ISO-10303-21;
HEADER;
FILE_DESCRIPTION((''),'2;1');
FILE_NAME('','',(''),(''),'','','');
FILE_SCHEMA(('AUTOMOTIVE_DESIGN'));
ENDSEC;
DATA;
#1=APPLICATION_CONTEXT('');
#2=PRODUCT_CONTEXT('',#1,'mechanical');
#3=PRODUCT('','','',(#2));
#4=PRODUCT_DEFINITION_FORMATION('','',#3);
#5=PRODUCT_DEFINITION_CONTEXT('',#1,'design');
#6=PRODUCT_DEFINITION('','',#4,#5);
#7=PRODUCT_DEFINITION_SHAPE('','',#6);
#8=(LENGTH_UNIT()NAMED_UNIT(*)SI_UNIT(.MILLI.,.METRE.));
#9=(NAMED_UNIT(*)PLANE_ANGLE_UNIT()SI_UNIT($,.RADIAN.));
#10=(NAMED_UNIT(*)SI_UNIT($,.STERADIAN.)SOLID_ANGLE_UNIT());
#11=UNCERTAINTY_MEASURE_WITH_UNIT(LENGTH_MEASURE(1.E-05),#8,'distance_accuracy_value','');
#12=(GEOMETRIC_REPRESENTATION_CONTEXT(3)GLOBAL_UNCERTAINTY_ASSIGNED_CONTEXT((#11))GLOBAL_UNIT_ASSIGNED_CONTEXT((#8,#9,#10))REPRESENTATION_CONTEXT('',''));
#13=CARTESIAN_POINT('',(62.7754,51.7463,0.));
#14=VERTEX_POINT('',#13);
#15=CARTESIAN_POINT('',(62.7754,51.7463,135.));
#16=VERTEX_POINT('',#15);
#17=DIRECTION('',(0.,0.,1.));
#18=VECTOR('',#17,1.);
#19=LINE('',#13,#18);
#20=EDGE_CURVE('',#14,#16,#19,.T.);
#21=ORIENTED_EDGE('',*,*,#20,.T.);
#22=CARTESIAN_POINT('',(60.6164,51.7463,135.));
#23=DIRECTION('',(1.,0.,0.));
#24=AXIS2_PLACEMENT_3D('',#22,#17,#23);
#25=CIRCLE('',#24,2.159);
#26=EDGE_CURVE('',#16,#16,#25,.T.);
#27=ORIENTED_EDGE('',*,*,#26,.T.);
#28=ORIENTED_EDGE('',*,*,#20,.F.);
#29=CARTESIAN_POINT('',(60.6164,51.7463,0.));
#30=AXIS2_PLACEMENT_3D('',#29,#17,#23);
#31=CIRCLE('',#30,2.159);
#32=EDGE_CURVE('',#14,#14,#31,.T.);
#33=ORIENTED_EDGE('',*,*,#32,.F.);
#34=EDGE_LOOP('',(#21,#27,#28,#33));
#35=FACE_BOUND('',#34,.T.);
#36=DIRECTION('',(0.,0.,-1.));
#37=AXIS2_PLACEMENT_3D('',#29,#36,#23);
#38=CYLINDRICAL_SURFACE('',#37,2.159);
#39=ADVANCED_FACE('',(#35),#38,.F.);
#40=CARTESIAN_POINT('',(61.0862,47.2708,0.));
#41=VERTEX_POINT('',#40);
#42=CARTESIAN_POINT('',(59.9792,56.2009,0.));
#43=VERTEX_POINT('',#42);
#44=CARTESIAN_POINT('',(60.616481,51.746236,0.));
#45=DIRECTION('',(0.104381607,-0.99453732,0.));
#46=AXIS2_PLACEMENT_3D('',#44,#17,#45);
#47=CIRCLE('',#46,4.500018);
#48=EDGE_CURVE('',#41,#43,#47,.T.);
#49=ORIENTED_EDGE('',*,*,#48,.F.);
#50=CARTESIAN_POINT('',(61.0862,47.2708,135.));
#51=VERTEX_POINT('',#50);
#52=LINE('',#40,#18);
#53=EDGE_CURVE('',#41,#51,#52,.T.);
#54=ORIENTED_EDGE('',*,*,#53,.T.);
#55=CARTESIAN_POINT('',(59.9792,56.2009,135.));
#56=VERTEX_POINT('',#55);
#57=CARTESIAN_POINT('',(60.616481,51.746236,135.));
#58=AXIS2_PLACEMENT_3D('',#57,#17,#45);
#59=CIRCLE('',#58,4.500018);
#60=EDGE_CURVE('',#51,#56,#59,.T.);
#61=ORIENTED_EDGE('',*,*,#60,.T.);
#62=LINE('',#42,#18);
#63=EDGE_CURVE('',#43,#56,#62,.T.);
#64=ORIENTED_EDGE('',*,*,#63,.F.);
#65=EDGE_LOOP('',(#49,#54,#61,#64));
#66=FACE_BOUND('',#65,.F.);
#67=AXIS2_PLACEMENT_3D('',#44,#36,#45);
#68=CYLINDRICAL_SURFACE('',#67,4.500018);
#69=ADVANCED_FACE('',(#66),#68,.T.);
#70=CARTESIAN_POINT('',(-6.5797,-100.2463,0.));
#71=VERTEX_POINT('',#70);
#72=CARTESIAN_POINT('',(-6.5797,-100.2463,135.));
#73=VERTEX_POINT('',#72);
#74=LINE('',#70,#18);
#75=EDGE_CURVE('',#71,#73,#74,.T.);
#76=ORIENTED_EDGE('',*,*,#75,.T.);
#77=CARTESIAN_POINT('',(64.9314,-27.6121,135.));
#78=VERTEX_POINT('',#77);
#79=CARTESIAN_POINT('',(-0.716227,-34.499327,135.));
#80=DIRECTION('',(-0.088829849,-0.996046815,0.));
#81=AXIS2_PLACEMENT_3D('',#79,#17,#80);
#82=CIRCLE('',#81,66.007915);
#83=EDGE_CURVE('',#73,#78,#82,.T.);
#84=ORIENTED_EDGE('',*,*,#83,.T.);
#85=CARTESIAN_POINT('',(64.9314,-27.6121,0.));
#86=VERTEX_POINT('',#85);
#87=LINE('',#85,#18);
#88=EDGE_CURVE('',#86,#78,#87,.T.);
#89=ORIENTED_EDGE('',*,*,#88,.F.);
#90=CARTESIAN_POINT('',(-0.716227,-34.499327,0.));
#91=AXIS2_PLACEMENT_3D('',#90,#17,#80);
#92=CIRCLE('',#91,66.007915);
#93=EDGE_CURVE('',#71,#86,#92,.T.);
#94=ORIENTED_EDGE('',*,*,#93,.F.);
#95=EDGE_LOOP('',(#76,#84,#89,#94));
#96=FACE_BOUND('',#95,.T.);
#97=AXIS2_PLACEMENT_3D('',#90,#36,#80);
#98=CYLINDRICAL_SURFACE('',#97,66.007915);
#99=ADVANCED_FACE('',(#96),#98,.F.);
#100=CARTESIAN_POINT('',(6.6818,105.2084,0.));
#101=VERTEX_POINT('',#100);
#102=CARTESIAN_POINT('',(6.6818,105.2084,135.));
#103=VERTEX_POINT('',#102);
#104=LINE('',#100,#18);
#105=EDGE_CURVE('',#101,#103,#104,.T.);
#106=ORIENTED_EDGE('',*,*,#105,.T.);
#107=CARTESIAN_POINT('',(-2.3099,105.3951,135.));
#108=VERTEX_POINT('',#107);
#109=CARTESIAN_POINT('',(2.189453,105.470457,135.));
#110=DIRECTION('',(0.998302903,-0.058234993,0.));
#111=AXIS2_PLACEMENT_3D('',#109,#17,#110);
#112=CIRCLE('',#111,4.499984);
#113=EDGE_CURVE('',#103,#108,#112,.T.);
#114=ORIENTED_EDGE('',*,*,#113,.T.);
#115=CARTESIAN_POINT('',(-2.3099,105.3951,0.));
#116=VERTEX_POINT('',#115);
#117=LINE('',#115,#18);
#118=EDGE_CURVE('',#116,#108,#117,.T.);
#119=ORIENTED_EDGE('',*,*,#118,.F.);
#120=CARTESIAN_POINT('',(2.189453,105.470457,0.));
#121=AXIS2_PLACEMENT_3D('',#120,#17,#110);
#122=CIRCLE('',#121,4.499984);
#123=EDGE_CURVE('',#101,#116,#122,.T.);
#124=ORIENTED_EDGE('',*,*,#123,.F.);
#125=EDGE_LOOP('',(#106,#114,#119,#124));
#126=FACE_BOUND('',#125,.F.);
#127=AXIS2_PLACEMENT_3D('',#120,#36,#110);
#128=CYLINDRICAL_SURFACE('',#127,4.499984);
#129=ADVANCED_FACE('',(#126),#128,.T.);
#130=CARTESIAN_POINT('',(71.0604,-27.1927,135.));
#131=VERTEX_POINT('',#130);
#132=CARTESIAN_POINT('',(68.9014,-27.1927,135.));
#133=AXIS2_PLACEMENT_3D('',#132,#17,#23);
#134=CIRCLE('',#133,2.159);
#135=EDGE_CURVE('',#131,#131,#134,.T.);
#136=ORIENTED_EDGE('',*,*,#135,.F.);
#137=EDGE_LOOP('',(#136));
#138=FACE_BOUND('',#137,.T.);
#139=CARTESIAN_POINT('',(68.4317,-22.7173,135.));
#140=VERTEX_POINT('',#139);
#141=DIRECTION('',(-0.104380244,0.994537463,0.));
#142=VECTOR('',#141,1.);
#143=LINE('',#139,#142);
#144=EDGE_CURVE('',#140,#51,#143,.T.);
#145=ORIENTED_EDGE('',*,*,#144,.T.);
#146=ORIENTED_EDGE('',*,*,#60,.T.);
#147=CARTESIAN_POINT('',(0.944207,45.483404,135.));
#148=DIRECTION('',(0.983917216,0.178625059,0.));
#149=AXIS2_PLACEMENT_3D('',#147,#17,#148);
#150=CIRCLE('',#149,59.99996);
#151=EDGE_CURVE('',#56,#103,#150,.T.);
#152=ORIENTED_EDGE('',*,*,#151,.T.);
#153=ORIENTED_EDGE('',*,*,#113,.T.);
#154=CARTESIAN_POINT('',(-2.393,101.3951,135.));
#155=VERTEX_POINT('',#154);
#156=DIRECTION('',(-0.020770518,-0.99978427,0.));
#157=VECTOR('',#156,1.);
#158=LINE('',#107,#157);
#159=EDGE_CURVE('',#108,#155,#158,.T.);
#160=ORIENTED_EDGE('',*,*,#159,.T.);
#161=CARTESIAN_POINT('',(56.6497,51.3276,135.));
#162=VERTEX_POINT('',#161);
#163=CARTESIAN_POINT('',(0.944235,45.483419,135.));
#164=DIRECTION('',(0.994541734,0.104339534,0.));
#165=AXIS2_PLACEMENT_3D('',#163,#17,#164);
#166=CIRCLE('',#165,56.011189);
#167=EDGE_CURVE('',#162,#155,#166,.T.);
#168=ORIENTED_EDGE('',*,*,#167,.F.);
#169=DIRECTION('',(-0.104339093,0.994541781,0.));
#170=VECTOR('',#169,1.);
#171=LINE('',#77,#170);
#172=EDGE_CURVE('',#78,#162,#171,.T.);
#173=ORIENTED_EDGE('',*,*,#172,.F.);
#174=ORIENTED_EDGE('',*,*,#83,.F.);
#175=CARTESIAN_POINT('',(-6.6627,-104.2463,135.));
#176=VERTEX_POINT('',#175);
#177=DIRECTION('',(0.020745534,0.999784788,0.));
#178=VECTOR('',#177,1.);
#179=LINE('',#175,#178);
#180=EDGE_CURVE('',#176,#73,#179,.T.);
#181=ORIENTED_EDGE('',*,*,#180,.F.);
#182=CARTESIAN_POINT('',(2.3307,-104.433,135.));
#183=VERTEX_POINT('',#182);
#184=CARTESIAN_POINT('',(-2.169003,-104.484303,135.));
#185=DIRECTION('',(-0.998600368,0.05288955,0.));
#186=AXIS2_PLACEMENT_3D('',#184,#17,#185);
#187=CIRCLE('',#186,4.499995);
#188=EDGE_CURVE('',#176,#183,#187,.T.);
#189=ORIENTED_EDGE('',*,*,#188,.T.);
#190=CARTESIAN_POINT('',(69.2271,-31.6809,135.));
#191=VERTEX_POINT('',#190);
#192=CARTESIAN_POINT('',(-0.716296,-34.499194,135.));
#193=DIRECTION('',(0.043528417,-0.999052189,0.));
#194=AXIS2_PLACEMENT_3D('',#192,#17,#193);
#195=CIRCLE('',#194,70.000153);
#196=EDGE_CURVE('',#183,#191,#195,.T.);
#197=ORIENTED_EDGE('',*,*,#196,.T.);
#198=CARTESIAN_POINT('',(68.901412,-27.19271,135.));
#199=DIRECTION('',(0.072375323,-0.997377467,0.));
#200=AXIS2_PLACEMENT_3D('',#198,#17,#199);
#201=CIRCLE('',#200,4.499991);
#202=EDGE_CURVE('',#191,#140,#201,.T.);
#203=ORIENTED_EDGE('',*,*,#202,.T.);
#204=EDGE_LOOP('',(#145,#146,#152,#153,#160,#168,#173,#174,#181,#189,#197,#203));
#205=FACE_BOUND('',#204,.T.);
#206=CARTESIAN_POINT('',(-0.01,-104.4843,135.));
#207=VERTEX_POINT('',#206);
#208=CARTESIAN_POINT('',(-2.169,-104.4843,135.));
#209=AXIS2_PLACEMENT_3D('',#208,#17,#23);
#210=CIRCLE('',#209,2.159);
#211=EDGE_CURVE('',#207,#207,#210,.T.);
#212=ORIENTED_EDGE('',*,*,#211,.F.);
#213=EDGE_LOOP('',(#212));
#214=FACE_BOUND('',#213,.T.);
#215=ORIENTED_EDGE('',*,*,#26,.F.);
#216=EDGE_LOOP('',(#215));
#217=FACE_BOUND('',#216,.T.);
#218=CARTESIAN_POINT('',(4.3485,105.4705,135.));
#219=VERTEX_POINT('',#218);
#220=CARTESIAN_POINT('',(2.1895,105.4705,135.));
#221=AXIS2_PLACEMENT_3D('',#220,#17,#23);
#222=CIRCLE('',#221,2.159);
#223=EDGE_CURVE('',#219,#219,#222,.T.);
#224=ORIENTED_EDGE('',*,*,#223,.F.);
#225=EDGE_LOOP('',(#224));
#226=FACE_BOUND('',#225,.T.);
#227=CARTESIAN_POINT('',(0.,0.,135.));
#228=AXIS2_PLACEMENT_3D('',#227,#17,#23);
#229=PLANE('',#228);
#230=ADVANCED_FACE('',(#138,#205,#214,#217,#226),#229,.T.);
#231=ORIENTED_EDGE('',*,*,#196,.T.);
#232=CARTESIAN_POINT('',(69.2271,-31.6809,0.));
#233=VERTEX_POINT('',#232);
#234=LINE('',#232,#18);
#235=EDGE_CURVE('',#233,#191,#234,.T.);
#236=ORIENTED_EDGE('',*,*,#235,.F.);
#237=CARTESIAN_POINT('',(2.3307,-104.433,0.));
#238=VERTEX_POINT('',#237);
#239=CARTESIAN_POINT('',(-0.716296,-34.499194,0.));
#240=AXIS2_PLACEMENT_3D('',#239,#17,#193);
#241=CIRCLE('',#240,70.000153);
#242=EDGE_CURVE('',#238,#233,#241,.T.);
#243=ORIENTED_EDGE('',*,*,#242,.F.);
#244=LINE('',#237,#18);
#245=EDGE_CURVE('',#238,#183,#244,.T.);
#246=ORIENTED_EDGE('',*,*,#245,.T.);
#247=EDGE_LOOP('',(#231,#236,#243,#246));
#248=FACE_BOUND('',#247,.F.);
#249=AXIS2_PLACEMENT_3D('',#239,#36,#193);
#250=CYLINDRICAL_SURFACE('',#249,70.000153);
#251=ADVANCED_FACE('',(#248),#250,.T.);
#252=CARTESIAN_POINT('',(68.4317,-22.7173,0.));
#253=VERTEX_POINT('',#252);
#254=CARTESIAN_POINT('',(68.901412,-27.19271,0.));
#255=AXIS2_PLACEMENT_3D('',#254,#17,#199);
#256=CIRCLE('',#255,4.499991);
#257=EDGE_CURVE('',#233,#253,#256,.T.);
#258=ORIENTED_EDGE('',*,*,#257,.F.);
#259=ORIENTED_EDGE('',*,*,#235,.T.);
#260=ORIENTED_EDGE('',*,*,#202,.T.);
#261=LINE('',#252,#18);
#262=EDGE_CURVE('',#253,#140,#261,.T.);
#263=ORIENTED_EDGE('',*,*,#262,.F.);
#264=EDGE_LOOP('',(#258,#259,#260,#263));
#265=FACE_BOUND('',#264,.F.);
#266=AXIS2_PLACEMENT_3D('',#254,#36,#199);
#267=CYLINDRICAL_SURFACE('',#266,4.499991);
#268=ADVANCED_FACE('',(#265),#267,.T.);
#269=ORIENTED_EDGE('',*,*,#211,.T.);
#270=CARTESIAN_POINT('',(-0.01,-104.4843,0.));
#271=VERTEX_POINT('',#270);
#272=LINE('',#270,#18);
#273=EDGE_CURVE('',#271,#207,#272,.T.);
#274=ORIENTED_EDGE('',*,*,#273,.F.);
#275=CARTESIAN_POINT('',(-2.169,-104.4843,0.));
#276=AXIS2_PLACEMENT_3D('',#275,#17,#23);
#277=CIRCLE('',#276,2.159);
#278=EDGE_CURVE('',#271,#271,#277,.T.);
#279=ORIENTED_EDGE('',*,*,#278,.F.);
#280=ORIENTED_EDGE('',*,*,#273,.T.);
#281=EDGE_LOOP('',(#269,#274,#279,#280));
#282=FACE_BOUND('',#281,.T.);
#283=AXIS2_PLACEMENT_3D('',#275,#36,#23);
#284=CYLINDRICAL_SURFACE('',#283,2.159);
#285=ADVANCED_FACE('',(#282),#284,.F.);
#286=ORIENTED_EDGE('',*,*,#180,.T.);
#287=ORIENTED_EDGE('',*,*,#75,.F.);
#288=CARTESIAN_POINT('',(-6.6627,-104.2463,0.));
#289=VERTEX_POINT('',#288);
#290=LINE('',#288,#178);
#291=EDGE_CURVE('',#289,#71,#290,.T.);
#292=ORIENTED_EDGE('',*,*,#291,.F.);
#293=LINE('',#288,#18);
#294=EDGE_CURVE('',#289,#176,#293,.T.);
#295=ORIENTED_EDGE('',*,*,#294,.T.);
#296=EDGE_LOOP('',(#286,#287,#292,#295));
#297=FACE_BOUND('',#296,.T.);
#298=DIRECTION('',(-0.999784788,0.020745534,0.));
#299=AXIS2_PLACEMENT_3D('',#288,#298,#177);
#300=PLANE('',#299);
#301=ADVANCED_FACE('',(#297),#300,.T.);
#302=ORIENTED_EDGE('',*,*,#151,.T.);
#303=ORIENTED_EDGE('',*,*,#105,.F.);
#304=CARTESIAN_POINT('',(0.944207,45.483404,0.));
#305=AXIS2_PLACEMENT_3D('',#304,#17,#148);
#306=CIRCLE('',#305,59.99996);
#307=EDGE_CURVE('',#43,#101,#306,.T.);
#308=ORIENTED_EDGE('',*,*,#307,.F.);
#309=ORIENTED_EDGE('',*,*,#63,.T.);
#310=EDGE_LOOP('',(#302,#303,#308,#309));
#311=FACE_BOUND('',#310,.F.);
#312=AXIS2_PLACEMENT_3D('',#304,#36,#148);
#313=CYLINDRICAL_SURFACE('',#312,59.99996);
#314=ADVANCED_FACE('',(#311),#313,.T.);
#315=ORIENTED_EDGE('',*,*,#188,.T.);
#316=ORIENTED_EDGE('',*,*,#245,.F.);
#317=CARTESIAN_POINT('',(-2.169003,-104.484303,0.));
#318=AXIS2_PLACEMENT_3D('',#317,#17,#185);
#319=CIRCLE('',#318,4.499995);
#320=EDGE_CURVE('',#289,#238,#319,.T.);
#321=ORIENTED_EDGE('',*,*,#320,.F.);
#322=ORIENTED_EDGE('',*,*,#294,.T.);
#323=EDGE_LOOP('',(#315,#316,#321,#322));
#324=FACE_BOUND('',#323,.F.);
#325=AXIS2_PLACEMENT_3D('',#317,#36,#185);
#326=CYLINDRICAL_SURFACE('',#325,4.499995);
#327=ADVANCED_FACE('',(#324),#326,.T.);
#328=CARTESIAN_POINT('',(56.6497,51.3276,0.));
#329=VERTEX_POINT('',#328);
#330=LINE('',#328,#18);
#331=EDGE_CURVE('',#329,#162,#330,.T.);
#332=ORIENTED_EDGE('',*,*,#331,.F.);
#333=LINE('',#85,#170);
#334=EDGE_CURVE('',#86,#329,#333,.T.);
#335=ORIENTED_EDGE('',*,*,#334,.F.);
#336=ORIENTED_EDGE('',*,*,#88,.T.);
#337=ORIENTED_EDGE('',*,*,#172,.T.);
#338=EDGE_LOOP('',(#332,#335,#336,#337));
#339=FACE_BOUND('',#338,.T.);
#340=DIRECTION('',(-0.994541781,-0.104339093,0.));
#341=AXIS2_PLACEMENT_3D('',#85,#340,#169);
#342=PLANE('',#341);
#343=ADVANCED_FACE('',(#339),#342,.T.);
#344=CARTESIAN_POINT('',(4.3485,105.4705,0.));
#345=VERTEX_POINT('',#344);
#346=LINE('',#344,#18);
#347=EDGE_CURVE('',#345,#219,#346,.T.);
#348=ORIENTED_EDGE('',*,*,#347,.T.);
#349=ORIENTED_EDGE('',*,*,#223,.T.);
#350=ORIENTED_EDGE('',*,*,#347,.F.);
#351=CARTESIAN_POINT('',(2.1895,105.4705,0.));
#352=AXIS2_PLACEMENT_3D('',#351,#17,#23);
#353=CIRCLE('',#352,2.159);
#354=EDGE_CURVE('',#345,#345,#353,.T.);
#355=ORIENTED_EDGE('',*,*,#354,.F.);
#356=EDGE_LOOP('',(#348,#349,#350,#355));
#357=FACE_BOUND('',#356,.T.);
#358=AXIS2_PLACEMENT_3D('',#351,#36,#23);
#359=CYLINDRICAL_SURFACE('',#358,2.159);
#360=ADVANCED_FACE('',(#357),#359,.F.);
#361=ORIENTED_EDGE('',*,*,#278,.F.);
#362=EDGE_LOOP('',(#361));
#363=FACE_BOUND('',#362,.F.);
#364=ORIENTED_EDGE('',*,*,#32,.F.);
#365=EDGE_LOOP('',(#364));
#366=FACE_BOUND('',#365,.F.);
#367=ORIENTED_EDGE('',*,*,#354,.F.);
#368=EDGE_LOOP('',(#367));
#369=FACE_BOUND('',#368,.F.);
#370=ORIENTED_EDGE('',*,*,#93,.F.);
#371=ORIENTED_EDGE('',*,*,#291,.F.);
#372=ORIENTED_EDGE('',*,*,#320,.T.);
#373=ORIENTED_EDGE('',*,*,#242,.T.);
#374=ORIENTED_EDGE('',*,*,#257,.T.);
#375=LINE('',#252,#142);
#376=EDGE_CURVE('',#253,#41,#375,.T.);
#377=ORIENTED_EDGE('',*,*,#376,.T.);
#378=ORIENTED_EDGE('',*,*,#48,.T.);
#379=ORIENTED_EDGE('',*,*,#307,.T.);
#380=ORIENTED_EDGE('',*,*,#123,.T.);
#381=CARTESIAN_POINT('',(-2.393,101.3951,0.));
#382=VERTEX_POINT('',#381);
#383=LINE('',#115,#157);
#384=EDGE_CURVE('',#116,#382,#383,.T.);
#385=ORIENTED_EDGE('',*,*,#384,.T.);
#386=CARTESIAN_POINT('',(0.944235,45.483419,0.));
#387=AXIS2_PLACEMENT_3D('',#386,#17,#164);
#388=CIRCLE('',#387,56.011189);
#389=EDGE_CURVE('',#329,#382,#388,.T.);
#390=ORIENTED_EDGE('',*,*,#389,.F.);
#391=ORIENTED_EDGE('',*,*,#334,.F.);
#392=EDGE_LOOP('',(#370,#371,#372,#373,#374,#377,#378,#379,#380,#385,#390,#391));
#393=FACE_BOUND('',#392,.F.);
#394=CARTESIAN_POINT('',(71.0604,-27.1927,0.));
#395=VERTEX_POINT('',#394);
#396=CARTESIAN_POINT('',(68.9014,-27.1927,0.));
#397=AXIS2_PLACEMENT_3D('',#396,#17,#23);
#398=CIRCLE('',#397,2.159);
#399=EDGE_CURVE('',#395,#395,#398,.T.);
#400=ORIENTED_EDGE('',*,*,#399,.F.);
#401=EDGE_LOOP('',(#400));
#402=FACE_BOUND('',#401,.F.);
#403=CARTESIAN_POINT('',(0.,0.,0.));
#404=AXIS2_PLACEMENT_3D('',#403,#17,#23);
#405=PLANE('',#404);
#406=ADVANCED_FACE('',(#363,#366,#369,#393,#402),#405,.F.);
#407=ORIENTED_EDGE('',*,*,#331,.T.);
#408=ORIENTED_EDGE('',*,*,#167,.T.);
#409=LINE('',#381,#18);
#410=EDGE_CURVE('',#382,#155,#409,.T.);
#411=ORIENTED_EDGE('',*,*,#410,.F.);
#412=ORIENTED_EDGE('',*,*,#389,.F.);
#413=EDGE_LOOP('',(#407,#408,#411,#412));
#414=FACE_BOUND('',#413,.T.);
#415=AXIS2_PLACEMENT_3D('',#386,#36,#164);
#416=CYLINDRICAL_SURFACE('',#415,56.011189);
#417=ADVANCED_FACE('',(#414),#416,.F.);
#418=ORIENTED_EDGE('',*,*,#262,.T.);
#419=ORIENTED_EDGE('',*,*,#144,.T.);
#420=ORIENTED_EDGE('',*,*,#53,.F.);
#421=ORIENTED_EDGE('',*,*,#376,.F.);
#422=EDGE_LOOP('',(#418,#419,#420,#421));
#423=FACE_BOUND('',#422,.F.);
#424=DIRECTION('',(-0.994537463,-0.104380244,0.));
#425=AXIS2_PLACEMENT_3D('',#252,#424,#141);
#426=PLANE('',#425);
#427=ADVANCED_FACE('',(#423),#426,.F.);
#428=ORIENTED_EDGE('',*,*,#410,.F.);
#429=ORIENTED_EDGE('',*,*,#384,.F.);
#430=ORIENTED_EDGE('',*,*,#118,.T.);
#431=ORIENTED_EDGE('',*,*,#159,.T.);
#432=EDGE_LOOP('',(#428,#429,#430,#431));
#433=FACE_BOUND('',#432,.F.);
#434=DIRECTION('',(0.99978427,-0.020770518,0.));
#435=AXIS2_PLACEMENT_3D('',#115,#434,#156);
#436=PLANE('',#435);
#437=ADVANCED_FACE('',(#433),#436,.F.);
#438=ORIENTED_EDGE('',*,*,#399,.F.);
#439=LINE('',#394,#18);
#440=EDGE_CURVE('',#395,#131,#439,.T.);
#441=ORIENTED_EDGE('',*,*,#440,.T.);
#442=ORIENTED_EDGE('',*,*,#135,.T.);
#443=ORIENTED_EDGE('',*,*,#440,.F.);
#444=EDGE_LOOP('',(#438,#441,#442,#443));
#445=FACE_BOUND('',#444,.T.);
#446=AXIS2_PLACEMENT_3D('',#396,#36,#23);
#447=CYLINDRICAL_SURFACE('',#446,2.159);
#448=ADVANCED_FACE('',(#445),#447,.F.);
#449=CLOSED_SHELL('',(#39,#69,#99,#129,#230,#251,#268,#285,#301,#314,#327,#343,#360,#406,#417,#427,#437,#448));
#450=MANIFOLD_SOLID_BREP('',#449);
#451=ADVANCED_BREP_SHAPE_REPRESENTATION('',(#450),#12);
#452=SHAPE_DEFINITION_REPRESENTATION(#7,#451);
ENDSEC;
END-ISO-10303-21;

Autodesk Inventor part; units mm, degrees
ref_plane "YZ Plane" through (0, 0, 0) normal (1, 0, 0) x (0, 1, 0)
ref_plane "XZ Plane" through (0, 0, 0) normal (0, 1, 0) x (-1, 0, 0)
ref_plane "XY Plane" through (0, 0, 0) normal (0, 0, 1) x (1, 0, 0)
ref_plane "Work Plane1" through (0, 0, 0) normal (0, 0, 1) x (1, 0, 0)
sketch "Sketch1" plane through (0, 0, 0) normal (0, 0, 1) x (1, 0, 0)
  circle A0 centre (-55.8916, -14.7421) radius 1.397 projected
  circle A1 centre (-83.8916, 18.2579) radius 1.397 projected
  circle A2 centre (-83.8916, -14.7421) radius 1.397 projected
  circle A3 centre (-55.8916, 18.2579) radius 1.397 projected
  circle A4 centre (2.1895, 105.4705) radius 2.159 projected
  circle A5 centre (-2.169, -104.4843) radius 2.159 projected
  circle A6 centre (60.6164, 51.7463) radius 2.159 projected
  circle A7 centre (-58.4167, 54.2173) radius 2.159 projected
  arc A8 (6.6818, 105.2084) -> (-2.3099, 105.3951) centre (2.1895, 105.4705) ccw projected
  arc A9 (-2.3099, 105.3951) -> (-57.5952, 58.6417) centre (0.9442, 45.4834) ccw construction
  arc A10 (-57.5952, 58.6417) -> (-59.0718, 49.7652) centre (-58.4167, 54.2173) ccw projected
  line L0 (-59.0718, 49.7652) -> (-63.1925, 21.7579) projected
  line L1 (-87.8916, 21.7579) -> (-63.1925, 21.7579) projected
  line L2 (-87.8916, -18.2421) -> (-87.8916, 21.7579) projected
  line L3 (-87.8916, -18.2421) -> (-74.0344, -26.2425) projected
  arc A11 (-74.0344, -26.2425) -> (-70.4822, -28.7807) centre (-69.9706, -24.3098) ccw projected
  arc A12 (-70.4822, -28.7807) -> (-6.6627, -104.2463) centre (-0.7162, -34.4994) ccw construction
  arc A13 (-6.6627, -104.2463) -> (2.3307, -104.433) centre (-2.169, -104.4843) ccw projected
  arc A14 (2.3307, -104.433) -> (69.2271, -31.6809) centre (-0.7162, -34.4994) ccw projected
  arc A15 (69.2271, -31.6809) -> (68.4317, -22.7173) centre (68.9014, -27.1927) ccw projected
  line L4 (68.4317, -22.7173) -> (61.0862, 47.2708) projected
  arc A16 (61.0862, 47.2708) -> (59.9792, 56.2009) centre (60.6164, 51.7463) ccw projected
  arc A17 (59.9792, 56.2009) -> (6.6818, 105.2084) centre (0.9442, 45.4834) ccw projected
  circle A18 centre (-69.9706, -24.3098) radius 2.159 projected
  circle A19 centre (68.9014, -27.1927) radius 2.159 projected
  circle A20 centre (0.9442, 45.4834) radius 17.5 projected
  circle A21 centre (-0.7162, -34.4994) radius 17.5 projected
  circle A22 centre (-66.7556, 10.6536) radius 4 projected
  circle A23 centre (-75.8916, -7.1378) radius 4 projected
  line L5 (-6.6627, -104.2463) -> (-2.3099, 105.3951) construction
  line L6 (-6.6627, -104.2463) -> (-6.5797, -100.2463)
  line L7 (-2.3099, 105.3951) -> (-2.393, 101.3951)
  arc A24 (-6.5797, -100.2463) -> (64.9314, -27.6121) centre (-0.7162, -34.4994) ccw
  arc A25 (56.6497, 51.3276) -> (-2.393, 101.3951) centre (0.9442, 45.4834) ccw
  line L8 (64.9314, -27.6121) -> (56.6497, 51.3276)
  point P0 (0, 0)
  dimension "d0" = 4
  dimension "d1" = 4
extrude "Extrusion1" add sketch "Sketch1" along normal blind 135 contours A17 A16 L4 A15 A14 A13 L6 A24 L8 A25 L7 A8
properties part number "case bottom half"
